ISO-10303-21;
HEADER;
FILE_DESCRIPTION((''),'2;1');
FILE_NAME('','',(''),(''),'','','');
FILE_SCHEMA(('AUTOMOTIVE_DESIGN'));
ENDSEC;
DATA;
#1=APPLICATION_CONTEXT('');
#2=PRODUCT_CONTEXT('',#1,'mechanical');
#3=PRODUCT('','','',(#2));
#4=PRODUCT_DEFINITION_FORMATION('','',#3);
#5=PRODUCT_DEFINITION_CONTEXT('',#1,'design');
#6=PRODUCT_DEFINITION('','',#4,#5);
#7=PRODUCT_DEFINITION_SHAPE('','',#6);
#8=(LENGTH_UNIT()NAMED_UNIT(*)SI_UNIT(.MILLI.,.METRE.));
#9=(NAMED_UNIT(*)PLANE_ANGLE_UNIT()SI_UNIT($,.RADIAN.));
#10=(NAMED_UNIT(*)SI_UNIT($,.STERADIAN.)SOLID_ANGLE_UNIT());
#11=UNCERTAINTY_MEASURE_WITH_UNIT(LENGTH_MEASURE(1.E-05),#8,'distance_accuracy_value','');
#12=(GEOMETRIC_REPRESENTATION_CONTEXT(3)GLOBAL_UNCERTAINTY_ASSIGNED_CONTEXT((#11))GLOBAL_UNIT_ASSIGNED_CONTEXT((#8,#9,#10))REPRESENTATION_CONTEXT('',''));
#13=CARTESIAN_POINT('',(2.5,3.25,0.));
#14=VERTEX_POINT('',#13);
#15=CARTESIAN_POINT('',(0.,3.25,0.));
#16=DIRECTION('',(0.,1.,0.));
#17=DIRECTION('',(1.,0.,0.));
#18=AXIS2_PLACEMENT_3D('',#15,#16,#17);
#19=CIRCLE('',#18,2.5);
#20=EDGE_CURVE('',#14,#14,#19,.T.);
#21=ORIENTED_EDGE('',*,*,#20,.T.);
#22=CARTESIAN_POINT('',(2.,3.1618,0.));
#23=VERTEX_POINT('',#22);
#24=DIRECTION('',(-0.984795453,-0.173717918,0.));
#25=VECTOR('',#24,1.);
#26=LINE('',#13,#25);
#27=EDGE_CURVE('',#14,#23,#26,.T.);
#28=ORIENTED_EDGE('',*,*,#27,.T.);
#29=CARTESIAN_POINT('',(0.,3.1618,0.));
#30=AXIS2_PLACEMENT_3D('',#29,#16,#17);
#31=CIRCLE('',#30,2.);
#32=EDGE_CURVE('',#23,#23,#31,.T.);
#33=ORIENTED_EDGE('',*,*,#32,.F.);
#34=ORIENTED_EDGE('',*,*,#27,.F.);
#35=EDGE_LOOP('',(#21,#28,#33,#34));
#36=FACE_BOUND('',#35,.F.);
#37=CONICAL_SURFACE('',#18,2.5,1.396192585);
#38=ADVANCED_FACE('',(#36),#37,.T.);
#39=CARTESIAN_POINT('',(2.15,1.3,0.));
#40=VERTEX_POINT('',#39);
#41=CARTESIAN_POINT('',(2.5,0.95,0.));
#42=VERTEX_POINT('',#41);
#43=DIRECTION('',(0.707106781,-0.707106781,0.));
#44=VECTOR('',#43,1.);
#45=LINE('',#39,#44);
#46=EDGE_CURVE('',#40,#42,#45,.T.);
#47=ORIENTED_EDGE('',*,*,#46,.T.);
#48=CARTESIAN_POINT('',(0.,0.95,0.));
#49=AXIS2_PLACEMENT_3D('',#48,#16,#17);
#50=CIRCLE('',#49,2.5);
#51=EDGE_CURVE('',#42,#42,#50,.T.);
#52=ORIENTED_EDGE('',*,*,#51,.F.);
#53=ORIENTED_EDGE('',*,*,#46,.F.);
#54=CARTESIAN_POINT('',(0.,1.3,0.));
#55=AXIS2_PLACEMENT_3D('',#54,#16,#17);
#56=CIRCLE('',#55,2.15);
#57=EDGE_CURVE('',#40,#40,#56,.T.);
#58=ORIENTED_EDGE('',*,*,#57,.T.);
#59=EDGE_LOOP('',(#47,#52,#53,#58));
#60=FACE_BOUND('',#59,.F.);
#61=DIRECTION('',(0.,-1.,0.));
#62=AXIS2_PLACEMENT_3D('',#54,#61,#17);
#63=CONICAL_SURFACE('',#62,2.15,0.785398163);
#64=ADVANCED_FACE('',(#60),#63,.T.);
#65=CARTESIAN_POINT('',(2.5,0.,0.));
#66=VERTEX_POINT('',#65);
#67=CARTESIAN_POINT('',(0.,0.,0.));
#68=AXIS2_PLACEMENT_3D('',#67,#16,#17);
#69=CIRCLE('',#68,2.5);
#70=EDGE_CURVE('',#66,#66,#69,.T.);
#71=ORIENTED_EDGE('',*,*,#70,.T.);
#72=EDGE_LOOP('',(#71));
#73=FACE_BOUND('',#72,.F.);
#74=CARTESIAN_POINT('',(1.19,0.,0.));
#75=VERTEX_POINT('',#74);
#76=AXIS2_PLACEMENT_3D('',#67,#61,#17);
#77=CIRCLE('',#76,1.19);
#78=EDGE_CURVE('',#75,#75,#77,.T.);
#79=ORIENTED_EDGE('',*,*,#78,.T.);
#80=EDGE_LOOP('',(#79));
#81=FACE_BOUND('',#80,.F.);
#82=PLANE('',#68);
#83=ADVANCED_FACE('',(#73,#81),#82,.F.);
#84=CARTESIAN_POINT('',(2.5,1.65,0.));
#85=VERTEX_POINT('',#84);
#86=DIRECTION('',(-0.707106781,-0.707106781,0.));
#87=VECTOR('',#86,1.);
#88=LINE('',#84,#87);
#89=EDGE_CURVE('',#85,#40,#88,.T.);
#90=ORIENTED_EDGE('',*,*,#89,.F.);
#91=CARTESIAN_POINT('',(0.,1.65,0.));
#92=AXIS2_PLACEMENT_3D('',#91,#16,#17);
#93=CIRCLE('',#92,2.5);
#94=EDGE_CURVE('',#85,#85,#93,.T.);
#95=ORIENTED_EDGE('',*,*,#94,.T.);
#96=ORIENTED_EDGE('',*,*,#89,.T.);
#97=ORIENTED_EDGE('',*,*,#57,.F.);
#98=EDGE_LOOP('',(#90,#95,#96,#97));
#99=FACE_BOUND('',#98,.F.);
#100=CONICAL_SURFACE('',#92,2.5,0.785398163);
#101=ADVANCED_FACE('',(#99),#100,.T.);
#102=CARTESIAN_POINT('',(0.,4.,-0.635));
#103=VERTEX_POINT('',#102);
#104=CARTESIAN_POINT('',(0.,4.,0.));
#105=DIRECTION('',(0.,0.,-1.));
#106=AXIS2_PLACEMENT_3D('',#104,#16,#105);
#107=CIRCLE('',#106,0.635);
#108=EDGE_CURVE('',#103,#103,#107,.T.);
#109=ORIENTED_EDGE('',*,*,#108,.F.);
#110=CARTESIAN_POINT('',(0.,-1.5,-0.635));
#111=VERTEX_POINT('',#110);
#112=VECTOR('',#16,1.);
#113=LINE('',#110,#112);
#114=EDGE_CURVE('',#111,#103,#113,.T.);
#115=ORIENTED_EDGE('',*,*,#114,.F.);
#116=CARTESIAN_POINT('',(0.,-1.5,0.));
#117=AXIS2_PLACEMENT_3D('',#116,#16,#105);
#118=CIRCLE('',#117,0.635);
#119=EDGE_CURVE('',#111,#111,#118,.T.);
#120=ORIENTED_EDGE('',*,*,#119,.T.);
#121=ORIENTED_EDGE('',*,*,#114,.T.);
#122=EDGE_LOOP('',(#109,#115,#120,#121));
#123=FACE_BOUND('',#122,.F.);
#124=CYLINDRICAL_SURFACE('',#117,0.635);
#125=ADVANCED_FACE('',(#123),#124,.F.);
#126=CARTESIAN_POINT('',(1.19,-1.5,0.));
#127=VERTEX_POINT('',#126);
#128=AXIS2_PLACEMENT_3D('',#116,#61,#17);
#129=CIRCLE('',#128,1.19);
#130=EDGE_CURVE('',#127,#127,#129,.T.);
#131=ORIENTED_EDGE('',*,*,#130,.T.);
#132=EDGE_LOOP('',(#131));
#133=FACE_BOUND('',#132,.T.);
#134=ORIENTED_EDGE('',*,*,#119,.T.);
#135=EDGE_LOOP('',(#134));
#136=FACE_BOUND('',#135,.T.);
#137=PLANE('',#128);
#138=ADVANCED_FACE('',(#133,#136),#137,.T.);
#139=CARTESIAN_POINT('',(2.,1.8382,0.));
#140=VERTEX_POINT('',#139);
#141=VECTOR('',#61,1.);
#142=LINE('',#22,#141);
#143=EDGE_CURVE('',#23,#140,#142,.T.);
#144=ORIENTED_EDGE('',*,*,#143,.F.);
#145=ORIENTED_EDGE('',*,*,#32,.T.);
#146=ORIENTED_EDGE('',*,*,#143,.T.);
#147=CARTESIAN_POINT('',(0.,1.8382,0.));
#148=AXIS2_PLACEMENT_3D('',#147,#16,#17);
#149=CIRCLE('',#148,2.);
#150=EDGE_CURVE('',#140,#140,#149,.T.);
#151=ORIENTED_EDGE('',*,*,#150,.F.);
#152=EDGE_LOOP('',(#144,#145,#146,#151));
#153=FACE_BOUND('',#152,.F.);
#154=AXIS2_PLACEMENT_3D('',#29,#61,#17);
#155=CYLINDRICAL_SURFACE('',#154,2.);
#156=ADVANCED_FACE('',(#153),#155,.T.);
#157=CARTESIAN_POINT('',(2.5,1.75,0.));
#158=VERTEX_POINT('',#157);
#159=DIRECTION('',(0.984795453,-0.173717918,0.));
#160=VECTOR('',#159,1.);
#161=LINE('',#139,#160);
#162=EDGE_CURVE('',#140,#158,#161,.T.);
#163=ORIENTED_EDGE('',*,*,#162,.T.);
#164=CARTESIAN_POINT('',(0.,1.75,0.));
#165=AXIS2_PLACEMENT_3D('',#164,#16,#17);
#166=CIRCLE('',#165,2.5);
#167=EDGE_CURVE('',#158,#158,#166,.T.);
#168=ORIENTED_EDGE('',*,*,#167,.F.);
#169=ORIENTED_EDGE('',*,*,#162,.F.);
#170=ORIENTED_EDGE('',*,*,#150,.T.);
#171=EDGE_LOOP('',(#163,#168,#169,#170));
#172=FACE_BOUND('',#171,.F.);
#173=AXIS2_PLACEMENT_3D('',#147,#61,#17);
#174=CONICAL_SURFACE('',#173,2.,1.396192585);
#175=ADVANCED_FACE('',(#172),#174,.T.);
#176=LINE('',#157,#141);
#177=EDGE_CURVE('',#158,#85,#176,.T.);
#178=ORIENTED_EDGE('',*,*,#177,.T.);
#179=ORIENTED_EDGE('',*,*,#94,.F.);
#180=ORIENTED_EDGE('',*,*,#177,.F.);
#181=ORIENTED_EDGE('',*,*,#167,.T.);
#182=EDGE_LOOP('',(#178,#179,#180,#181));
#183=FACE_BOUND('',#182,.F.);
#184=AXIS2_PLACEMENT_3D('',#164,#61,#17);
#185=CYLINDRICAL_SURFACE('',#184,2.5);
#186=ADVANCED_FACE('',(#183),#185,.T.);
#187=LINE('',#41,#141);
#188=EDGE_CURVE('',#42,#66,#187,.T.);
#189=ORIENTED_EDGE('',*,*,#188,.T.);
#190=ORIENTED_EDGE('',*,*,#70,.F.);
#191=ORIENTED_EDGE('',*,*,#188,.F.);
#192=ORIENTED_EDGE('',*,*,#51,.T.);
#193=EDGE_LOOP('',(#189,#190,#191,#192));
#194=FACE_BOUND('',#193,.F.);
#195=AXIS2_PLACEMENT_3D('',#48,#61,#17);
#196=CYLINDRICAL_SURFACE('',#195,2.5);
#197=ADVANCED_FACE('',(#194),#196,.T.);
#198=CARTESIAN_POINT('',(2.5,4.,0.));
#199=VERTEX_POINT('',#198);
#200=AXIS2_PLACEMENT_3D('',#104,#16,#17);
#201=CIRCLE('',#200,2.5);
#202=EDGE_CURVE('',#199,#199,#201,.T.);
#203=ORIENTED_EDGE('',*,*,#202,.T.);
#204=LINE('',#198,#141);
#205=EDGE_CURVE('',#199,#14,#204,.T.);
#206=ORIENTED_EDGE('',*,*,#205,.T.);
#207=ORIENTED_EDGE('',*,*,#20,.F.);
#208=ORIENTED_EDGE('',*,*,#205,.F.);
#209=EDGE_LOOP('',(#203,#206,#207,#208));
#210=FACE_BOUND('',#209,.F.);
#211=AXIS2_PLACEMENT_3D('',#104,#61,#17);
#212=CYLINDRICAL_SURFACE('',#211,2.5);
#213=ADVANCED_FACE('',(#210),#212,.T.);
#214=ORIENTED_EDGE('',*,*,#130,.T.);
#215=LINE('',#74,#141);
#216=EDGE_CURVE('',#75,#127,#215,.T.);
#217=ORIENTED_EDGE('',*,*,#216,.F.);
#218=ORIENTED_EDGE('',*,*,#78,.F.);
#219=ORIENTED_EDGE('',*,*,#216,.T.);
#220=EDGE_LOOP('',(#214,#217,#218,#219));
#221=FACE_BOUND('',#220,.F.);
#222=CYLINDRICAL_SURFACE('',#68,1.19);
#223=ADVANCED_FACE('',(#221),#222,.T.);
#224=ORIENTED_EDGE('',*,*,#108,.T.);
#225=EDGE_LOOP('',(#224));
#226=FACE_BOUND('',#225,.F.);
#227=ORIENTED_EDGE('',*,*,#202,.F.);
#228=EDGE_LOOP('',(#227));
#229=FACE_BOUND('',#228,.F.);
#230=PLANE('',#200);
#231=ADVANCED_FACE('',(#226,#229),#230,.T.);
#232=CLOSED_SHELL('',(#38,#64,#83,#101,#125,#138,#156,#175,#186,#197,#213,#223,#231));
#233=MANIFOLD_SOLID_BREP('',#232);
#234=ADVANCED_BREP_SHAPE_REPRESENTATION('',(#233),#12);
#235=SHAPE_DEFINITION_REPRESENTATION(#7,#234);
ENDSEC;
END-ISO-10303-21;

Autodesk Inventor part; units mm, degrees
ref_plane "YZ Plane" through (0, 0, 0) normal (1, 0, 0) x (0, 1, 0)
ref_plane "XZ Plane" through (0, 0, 0) normal (0, 1, 0) x (-1, 0, 0)
ref_plane "XY Plane" through (0, 0, 0) normal (0, 0, 1) x (1, 0, 0)
sketch "Sketch1" plane through (0, 0, 0) normal (0, 0, 1) x (1, 0, 0)
  line L0 (0, 0) -> (0, 17.163)
  line L1 (2.5, 4) -> (2.5, 3.25)
  line L2 (2.5, 0) -> (0, 0)
  line L3 (2.5, 3.25) -> (2, 3.1618)
  line L4 (2, 3.1618) -> (2, 1.8382)
  line L5 (2, 1.8382) -> (2.5, 1.75)
  line L6 (0, 0) -> (0, 4)
  line L7 (0, 4) -> (2.5, 4)
  line L8 (2.5, 1.65) -> (2.15, 1.3)
  line L9 (2.15, 1.3) -> (2.5, 0.95)
  line L10 (2.5, 1.75) -> (2.5, 1.65)
  line L11 (2.5, 0.95) -> (2.5, 0)
  dimension "d2" = 5
  dimension "d17" = 0.75
  dimension "d18" = 1.75
  dimension "d19" = 100
  dimension "d20" = 100
  dimension "d24" = 1.3237
  dimension "d53" = 1.3
  dimension "d54" = 135
  dimension "d55" = 135
  dimension "d56" = 0.35
revolve "Revolution1" add sketch "Sketch1" angle 360 about axis through (0, 0, 0) along (0, 1, 0)
hole "Hole1" [suppressed]
sketch "Sketch2" plane through (0, 0, 0) normal (0, -1, 0) x (1, 0, 0)
  circle A0 centre (0, 0) radius 1.19
  dimension "d36" = 2.38
extrude "Extrusion1" add sketch "Sketch2" along normal blind 1.5
hole "Hole3" at (0, -1.5, 0) direction (0, 1, 0) diameter 1.27 end through all
properties part number "FOX-ME-126-05" material "CU 110H04"
